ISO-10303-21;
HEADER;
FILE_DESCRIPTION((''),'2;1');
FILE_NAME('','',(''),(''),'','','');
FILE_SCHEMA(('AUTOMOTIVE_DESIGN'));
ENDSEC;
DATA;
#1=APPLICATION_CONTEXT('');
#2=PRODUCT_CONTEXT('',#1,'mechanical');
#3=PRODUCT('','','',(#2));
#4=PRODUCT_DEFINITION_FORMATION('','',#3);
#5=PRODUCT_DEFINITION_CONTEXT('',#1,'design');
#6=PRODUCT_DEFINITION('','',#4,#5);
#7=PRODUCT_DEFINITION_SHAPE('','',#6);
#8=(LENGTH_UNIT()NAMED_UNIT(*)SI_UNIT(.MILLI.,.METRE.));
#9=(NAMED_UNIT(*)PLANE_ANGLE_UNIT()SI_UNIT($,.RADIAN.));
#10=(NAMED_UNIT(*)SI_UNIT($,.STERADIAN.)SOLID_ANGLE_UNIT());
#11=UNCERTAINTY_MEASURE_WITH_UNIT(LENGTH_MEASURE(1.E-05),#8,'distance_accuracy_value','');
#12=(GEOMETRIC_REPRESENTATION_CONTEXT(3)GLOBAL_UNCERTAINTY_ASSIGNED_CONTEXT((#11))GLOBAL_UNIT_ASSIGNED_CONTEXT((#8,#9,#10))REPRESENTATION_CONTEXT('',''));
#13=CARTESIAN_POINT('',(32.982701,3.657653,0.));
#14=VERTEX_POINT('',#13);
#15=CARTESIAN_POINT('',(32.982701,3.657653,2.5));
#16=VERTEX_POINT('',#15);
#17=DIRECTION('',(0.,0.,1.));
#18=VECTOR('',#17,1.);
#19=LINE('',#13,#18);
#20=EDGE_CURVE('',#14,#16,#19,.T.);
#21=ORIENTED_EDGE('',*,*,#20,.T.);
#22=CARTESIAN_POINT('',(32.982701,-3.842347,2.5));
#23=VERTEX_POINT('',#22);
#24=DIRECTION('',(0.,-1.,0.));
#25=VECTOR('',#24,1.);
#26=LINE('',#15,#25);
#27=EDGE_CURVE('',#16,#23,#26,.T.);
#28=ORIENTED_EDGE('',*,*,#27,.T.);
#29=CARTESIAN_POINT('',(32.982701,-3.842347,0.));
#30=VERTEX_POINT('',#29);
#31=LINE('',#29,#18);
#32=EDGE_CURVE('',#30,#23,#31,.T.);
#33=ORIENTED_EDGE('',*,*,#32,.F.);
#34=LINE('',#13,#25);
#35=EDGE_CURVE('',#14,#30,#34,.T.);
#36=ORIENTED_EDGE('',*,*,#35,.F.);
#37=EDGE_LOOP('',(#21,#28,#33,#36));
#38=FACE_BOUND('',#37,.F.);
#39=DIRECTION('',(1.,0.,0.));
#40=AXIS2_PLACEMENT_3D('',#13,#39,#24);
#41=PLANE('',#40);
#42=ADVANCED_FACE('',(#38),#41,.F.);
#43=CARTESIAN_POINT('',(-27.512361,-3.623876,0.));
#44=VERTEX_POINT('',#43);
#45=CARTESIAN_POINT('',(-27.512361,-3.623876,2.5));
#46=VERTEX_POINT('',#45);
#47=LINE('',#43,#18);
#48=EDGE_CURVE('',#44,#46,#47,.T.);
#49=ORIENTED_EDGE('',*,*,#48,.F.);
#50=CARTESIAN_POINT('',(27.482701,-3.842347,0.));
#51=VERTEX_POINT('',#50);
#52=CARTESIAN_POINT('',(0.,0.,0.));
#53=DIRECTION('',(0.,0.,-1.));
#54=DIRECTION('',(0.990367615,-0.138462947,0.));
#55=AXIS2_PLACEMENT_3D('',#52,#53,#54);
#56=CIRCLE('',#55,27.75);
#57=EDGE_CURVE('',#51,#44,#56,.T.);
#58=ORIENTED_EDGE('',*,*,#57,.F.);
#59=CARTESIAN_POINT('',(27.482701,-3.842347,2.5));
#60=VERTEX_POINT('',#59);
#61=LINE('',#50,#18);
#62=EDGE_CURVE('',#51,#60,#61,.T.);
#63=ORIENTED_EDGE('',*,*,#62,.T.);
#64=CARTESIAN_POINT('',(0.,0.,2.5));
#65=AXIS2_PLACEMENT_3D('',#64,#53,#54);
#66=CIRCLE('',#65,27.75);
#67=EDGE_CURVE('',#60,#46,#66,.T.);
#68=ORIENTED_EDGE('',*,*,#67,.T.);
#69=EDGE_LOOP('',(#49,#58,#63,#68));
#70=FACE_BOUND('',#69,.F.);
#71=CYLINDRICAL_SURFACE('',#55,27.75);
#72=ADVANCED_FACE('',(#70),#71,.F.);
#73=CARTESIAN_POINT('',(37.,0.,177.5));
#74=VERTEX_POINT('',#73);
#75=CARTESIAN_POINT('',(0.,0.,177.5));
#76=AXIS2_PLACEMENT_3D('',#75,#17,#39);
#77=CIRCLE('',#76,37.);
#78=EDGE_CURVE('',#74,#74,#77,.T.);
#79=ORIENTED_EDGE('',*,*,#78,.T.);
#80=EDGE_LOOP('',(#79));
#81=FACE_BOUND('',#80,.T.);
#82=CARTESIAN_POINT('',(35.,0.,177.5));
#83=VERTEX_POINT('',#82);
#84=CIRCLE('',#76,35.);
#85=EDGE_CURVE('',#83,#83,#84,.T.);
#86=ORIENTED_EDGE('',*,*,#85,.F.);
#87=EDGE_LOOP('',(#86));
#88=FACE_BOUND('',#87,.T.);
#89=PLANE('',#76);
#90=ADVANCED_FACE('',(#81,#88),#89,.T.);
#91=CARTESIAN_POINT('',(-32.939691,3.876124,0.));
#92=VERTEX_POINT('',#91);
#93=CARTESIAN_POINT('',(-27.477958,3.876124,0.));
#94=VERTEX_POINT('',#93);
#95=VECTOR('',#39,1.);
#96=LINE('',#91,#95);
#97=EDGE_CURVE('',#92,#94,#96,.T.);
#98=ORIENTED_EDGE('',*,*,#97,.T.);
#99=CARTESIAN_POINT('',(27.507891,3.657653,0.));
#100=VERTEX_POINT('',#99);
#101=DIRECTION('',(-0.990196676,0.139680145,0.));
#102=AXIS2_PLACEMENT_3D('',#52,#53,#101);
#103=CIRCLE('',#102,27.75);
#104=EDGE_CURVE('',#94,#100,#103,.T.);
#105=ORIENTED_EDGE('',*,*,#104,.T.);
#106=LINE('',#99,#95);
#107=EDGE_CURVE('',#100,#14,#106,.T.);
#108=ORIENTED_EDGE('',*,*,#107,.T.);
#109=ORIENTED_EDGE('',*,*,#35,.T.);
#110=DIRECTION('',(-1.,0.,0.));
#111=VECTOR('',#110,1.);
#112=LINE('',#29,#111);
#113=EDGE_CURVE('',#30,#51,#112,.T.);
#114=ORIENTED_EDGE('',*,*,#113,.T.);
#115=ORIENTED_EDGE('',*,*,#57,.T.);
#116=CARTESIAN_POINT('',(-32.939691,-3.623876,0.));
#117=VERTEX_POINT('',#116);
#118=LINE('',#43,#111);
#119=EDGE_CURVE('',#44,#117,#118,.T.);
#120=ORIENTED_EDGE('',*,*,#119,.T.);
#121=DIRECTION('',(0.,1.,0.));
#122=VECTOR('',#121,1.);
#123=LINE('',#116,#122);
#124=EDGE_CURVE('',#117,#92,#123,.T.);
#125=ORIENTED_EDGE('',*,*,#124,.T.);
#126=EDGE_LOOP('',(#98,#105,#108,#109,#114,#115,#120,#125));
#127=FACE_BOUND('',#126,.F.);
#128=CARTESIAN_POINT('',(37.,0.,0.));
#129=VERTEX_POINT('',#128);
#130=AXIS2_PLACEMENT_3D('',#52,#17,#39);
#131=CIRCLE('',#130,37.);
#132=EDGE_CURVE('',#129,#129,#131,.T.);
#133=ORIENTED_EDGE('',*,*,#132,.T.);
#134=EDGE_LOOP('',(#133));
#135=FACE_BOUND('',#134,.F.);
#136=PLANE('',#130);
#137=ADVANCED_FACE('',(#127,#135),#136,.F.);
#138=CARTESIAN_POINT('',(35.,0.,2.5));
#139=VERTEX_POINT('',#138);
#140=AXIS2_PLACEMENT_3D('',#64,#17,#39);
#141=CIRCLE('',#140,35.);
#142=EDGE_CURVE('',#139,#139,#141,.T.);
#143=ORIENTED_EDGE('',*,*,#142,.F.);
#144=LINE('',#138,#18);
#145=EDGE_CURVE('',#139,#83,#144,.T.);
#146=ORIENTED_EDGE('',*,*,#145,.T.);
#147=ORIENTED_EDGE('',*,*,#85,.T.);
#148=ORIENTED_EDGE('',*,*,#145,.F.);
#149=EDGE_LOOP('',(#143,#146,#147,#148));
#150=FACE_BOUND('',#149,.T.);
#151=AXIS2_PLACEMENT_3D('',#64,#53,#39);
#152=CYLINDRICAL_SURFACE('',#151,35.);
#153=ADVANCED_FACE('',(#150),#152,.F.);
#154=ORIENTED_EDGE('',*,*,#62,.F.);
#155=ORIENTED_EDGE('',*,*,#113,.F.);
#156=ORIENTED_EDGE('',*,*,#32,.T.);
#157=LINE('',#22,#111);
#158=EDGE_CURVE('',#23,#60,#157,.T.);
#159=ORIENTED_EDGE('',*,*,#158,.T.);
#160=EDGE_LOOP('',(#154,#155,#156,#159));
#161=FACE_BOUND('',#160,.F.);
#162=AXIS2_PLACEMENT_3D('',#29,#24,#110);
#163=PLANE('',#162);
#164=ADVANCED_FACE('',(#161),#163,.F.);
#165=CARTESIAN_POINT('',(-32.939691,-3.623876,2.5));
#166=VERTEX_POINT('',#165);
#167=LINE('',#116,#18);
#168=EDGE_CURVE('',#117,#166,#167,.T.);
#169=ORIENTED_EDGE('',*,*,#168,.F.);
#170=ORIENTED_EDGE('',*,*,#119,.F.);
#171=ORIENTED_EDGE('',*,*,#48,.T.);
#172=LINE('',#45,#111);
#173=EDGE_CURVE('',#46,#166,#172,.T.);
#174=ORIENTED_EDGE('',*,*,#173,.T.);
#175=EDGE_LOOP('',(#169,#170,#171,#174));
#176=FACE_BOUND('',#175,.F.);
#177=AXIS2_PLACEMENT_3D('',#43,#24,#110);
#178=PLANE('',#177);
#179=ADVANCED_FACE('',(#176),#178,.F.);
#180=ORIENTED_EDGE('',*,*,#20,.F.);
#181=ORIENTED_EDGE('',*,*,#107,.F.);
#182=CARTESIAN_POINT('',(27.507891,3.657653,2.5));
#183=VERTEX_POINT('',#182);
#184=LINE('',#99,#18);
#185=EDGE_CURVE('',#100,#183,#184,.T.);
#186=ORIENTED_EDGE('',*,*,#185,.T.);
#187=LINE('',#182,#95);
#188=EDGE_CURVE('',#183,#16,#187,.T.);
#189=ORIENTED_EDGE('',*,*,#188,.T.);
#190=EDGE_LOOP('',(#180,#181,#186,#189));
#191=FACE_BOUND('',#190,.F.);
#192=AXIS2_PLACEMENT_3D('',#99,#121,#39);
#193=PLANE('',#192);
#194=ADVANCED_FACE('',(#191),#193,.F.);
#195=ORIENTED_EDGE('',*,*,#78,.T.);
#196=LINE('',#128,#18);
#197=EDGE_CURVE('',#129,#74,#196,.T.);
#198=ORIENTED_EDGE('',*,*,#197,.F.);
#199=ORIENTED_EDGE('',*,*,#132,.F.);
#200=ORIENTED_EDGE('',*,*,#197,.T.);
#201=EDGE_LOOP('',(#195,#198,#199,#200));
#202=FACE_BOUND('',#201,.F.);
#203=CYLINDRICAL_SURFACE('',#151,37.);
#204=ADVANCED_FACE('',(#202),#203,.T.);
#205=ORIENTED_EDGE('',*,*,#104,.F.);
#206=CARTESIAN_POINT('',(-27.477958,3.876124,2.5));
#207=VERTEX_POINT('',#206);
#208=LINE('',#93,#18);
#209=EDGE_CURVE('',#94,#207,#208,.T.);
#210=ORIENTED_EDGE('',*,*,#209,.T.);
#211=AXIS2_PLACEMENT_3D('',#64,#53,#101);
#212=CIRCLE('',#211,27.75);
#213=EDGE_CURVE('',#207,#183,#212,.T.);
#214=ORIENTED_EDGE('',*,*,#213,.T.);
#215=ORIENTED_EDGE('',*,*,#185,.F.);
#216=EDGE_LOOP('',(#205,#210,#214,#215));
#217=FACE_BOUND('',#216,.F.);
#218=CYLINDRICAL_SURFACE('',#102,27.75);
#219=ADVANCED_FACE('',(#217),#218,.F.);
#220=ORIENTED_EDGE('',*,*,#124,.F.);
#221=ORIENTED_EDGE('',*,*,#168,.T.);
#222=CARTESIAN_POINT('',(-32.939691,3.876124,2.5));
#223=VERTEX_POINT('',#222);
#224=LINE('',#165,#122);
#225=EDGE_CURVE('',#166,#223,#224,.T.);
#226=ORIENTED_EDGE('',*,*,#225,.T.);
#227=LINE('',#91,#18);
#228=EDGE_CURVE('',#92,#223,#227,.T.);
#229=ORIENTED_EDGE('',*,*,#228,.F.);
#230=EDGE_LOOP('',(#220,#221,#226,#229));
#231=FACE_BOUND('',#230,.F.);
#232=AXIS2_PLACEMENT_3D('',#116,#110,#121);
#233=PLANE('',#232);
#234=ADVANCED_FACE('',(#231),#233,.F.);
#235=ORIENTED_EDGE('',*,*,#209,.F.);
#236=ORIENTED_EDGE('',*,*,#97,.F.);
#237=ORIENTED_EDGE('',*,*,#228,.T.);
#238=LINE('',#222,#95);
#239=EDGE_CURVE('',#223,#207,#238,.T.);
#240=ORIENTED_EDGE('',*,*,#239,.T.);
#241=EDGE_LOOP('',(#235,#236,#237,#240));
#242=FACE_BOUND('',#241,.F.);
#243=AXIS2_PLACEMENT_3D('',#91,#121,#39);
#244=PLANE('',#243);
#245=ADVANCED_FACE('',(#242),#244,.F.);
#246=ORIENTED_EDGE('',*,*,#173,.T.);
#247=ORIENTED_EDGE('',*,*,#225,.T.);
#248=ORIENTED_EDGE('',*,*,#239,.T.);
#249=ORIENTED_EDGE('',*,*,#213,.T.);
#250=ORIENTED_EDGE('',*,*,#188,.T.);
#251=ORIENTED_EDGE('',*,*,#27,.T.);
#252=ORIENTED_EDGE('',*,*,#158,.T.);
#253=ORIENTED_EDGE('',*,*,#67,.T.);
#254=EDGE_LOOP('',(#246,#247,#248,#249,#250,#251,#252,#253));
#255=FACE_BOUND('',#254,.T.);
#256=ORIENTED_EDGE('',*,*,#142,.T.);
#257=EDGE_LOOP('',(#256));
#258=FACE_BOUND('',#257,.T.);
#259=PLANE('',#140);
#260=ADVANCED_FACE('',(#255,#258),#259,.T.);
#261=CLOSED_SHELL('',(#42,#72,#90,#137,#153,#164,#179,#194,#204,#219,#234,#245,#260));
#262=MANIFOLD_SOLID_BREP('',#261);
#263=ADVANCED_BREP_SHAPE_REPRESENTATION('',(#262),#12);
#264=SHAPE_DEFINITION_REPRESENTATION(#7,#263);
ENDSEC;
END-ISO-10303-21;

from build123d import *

# Parameters (mm, degrees)
F0_R     = 37
F1_DEPTH = 2.5
F2_R     = 37
F2_R_2   = 35
F3_DEPTH = 175


with BuildPart() as f1:
    # F0 (on Top) → F1 (new body)
    with BuildSketch(Plane.XY):
        Circle(F0_R)
        with BuildLine():
            Line((32.982701, -3.842347), (27.482701, -3.842347))
            ThreePointArc((27.482701, -3.842347), (-0.110238, -27.749781), (-27.512361, -3.623876))
            Line((-27.512361, -3.623876), (-32.939691, -3.623876))
            Line((-32.939691, -3.623876), (-32.939691, 3.876124))
            Line((-32.939691, 3.876124), (-27.477958, 3.876124))
            ThreePointArc((-27.477958, 3.876124), (0.110256, 27.749781), (27.507891, 3.657653))
            Line((27.507891, 3.657653), (32.982701, 3.657653))
            Line((32.982701, 3.657653), (32.982701, -3.842347))
        make_face(mode=Mode.SUBTRACT)
    extrude(amount=F1_DEPTH)

    # F2 (on face) → F3 (join)
    with BuildSketch(Plane.XY.offset(2.5)):
        Circle(F2_R)
        Circle(F2_R_2, mode=Mode.SUBTRACT)
    extrude(amount=F3_DEPTH)


solid = f1.part
